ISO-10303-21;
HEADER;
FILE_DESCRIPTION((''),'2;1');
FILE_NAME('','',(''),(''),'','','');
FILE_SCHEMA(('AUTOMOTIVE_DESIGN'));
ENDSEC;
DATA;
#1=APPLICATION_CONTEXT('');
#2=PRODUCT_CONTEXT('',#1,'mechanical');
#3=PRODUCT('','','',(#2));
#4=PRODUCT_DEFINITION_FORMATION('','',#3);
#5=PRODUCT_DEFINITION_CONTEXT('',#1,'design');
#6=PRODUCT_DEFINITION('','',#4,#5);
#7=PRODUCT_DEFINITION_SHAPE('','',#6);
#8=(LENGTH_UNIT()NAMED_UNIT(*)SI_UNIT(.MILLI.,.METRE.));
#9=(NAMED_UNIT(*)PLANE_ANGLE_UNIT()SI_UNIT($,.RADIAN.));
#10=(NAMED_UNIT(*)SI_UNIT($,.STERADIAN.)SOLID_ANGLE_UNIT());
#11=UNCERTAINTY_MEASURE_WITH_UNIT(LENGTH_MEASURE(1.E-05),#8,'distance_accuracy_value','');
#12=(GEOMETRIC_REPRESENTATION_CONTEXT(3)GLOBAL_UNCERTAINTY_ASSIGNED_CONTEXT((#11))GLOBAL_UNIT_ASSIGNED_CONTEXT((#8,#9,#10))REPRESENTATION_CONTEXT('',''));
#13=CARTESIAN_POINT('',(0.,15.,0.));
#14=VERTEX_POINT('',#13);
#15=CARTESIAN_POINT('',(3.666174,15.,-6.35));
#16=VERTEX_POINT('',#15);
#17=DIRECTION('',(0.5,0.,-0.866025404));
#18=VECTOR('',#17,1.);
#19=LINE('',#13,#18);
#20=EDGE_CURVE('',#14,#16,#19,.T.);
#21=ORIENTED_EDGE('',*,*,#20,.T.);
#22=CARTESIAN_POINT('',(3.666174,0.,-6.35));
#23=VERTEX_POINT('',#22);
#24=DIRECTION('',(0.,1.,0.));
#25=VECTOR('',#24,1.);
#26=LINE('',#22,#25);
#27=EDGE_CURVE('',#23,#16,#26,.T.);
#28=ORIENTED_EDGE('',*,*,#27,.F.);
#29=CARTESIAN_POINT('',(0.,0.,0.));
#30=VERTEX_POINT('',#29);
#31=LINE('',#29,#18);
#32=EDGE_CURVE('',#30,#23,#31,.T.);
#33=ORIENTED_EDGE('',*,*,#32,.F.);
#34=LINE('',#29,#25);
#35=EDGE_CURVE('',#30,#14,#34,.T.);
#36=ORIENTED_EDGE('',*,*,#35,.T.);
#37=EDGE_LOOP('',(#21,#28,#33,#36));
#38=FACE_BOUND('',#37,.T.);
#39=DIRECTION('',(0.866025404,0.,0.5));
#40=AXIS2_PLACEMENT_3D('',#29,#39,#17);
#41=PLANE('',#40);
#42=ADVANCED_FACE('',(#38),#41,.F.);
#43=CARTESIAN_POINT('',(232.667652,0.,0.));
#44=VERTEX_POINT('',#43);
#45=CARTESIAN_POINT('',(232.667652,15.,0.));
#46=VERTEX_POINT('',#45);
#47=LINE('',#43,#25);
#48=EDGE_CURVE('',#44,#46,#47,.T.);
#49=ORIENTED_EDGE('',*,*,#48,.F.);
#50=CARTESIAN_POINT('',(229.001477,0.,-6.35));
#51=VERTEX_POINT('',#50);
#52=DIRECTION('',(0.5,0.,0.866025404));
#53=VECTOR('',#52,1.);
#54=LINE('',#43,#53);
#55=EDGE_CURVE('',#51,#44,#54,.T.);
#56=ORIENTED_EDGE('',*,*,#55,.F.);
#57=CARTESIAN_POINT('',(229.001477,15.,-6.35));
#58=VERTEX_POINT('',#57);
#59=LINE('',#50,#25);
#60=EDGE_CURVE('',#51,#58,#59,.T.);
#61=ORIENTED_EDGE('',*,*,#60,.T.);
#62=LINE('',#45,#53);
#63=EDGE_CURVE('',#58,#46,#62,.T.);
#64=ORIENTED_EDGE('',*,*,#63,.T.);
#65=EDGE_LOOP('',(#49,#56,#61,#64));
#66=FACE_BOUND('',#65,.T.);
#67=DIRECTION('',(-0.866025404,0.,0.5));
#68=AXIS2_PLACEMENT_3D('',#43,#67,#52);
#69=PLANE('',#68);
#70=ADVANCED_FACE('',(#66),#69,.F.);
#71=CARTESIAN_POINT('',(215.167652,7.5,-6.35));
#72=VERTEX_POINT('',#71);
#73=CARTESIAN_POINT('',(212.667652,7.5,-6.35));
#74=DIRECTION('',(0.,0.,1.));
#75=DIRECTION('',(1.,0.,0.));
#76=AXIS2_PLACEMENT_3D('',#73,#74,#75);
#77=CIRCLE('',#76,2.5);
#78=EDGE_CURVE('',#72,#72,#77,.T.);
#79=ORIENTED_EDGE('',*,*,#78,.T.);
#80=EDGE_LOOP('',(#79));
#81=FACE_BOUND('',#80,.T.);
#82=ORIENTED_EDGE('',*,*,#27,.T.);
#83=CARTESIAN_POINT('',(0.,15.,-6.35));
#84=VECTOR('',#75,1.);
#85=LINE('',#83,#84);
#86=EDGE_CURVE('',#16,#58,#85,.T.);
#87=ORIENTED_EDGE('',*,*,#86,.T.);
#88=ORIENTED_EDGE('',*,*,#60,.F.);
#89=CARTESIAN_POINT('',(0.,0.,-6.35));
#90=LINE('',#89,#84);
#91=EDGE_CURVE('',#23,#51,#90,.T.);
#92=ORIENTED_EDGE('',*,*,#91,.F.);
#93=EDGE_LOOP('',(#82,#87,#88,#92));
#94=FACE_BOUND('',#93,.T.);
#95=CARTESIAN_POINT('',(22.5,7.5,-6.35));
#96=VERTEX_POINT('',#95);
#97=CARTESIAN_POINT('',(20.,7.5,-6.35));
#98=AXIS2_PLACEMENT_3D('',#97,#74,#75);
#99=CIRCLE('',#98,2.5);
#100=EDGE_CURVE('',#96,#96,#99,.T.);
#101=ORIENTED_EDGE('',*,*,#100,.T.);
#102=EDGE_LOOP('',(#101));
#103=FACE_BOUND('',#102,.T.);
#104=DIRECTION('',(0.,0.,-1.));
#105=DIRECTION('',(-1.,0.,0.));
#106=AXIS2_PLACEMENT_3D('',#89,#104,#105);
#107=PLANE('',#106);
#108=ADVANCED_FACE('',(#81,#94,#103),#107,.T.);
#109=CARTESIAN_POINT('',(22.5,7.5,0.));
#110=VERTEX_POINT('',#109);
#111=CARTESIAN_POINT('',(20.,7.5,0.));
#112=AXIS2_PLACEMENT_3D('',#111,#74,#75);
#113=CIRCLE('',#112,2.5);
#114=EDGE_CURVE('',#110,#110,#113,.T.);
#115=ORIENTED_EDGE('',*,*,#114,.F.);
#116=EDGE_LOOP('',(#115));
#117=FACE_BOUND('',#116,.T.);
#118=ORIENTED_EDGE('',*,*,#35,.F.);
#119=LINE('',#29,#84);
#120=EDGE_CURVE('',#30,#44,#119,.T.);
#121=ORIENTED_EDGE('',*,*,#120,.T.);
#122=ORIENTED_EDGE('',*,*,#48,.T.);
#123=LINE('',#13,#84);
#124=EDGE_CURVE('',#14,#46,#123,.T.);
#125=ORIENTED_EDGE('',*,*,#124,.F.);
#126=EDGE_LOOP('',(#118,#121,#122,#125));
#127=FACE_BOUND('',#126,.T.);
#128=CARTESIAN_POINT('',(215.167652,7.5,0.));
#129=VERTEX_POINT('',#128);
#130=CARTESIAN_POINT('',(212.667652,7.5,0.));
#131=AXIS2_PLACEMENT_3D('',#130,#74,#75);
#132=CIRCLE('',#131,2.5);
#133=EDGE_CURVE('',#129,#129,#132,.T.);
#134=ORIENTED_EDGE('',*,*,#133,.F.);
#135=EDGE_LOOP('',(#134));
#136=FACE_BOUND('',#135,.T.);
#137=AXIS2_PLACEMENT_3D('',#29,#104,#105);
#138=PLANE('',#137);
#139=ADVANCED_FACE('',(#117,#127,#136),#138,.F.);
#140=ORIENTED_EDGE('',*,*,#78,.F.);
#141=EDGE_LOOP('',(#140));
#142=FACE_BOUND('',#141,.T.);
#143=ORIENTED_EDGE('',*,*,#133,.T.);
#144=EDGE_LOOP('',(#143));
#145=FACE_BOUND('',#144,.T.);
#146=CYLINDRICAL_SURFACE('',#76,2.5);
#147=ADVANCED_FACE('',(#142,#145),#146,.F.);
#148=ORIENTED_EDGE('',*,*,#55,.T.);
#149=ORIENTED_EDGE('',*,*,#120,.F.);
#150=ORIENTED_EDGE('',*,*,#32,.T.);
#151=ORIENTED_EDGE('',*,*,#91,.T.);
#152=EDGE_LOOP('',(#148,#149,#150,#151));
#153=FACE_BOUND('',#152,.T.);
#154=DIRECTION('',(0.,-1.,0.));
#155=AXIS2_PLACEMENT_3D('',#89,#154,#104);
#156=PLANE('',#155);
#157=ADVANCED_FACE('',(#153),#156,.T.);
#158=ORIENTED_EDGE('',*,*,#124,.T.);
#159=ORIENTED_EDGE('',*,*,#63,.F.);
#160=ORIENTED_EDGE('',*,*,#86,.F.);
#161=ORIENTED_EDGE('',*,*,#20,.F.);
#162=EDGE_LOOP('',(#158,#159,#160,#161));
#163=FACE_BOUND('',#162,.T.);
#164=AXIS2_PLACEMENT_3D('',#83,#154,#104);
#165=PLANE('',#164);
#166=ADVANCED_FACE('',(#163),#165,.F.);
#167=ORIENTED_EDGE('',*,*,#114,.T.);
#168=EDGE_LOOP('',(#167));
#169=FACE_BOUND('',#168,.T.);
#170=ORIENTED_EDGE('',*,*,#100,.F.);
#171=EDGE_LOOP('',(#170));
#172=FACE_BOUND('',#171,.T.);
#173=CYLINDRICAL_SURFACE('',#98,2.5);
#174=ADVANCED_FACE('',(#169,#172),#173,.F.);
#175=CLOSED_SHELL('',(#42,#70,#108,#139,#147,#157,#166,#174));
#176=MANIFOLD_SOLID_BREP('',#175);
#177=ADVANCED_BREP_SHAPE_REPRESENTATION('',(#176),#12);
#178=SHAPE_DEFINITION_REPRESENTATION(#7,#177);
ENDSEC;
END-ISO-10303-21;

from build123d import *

# Parameters (mm, degrees)
SKETCH1_W           = 232.6676516
SKETCH1_H           = 15
BOSS_EXTRUDE1_DEPTH = 6.35
CUT_EXTRUDE1_DEPTH  = 234.237129551
SKETCH3_R           = 2.5
CUT_EXTRUDE2_DEPTH  = 234.237129551


with BuildPart() as part:
    # Sketch1 → Boss-Extrude1 (new body)
    with BuildSketch(Plane.XY):
        with Locations((116.3338258, 7.5)):
            Rectangle(SKETCH1_W, SKETCH1_H)
    extrude(amount=-BOSS_EXTRUDE1_DEPTH)

    # Sketch2 → Cut-Extrude1 (cut, through all)
    with BuildSketch(Plane(origin=(0, 15, 0), x_dir=(1, 0, 0), z_dir=(0, 1, 0))):
        Polygon((0, 0), (0, 6.35), (3.666174209, 6.35), align=None)
        Polygon((232.6676516, 0), (229.001477391, 6.35), (232.6676516, 6.35), align=None)
    extrude(amount=-CUT_EXTRUDE1_DEPTH, mode=Mode.SUBTRACT)

    # Sketch3 → Cut-Extrude2 (cut, through all)
    with BuildSketch(Plane.XY):
        with Locations((20, 7.5)):
            Circle(SKETCH3_R)
        with Locations((212.6676516, 7.5)):
            Circle(SKETCH3_R)
    extrude(amount=-CUT_EXTRUDE2_DEPTH, mode=Mode.SUBTRACT)


solid = part.part
